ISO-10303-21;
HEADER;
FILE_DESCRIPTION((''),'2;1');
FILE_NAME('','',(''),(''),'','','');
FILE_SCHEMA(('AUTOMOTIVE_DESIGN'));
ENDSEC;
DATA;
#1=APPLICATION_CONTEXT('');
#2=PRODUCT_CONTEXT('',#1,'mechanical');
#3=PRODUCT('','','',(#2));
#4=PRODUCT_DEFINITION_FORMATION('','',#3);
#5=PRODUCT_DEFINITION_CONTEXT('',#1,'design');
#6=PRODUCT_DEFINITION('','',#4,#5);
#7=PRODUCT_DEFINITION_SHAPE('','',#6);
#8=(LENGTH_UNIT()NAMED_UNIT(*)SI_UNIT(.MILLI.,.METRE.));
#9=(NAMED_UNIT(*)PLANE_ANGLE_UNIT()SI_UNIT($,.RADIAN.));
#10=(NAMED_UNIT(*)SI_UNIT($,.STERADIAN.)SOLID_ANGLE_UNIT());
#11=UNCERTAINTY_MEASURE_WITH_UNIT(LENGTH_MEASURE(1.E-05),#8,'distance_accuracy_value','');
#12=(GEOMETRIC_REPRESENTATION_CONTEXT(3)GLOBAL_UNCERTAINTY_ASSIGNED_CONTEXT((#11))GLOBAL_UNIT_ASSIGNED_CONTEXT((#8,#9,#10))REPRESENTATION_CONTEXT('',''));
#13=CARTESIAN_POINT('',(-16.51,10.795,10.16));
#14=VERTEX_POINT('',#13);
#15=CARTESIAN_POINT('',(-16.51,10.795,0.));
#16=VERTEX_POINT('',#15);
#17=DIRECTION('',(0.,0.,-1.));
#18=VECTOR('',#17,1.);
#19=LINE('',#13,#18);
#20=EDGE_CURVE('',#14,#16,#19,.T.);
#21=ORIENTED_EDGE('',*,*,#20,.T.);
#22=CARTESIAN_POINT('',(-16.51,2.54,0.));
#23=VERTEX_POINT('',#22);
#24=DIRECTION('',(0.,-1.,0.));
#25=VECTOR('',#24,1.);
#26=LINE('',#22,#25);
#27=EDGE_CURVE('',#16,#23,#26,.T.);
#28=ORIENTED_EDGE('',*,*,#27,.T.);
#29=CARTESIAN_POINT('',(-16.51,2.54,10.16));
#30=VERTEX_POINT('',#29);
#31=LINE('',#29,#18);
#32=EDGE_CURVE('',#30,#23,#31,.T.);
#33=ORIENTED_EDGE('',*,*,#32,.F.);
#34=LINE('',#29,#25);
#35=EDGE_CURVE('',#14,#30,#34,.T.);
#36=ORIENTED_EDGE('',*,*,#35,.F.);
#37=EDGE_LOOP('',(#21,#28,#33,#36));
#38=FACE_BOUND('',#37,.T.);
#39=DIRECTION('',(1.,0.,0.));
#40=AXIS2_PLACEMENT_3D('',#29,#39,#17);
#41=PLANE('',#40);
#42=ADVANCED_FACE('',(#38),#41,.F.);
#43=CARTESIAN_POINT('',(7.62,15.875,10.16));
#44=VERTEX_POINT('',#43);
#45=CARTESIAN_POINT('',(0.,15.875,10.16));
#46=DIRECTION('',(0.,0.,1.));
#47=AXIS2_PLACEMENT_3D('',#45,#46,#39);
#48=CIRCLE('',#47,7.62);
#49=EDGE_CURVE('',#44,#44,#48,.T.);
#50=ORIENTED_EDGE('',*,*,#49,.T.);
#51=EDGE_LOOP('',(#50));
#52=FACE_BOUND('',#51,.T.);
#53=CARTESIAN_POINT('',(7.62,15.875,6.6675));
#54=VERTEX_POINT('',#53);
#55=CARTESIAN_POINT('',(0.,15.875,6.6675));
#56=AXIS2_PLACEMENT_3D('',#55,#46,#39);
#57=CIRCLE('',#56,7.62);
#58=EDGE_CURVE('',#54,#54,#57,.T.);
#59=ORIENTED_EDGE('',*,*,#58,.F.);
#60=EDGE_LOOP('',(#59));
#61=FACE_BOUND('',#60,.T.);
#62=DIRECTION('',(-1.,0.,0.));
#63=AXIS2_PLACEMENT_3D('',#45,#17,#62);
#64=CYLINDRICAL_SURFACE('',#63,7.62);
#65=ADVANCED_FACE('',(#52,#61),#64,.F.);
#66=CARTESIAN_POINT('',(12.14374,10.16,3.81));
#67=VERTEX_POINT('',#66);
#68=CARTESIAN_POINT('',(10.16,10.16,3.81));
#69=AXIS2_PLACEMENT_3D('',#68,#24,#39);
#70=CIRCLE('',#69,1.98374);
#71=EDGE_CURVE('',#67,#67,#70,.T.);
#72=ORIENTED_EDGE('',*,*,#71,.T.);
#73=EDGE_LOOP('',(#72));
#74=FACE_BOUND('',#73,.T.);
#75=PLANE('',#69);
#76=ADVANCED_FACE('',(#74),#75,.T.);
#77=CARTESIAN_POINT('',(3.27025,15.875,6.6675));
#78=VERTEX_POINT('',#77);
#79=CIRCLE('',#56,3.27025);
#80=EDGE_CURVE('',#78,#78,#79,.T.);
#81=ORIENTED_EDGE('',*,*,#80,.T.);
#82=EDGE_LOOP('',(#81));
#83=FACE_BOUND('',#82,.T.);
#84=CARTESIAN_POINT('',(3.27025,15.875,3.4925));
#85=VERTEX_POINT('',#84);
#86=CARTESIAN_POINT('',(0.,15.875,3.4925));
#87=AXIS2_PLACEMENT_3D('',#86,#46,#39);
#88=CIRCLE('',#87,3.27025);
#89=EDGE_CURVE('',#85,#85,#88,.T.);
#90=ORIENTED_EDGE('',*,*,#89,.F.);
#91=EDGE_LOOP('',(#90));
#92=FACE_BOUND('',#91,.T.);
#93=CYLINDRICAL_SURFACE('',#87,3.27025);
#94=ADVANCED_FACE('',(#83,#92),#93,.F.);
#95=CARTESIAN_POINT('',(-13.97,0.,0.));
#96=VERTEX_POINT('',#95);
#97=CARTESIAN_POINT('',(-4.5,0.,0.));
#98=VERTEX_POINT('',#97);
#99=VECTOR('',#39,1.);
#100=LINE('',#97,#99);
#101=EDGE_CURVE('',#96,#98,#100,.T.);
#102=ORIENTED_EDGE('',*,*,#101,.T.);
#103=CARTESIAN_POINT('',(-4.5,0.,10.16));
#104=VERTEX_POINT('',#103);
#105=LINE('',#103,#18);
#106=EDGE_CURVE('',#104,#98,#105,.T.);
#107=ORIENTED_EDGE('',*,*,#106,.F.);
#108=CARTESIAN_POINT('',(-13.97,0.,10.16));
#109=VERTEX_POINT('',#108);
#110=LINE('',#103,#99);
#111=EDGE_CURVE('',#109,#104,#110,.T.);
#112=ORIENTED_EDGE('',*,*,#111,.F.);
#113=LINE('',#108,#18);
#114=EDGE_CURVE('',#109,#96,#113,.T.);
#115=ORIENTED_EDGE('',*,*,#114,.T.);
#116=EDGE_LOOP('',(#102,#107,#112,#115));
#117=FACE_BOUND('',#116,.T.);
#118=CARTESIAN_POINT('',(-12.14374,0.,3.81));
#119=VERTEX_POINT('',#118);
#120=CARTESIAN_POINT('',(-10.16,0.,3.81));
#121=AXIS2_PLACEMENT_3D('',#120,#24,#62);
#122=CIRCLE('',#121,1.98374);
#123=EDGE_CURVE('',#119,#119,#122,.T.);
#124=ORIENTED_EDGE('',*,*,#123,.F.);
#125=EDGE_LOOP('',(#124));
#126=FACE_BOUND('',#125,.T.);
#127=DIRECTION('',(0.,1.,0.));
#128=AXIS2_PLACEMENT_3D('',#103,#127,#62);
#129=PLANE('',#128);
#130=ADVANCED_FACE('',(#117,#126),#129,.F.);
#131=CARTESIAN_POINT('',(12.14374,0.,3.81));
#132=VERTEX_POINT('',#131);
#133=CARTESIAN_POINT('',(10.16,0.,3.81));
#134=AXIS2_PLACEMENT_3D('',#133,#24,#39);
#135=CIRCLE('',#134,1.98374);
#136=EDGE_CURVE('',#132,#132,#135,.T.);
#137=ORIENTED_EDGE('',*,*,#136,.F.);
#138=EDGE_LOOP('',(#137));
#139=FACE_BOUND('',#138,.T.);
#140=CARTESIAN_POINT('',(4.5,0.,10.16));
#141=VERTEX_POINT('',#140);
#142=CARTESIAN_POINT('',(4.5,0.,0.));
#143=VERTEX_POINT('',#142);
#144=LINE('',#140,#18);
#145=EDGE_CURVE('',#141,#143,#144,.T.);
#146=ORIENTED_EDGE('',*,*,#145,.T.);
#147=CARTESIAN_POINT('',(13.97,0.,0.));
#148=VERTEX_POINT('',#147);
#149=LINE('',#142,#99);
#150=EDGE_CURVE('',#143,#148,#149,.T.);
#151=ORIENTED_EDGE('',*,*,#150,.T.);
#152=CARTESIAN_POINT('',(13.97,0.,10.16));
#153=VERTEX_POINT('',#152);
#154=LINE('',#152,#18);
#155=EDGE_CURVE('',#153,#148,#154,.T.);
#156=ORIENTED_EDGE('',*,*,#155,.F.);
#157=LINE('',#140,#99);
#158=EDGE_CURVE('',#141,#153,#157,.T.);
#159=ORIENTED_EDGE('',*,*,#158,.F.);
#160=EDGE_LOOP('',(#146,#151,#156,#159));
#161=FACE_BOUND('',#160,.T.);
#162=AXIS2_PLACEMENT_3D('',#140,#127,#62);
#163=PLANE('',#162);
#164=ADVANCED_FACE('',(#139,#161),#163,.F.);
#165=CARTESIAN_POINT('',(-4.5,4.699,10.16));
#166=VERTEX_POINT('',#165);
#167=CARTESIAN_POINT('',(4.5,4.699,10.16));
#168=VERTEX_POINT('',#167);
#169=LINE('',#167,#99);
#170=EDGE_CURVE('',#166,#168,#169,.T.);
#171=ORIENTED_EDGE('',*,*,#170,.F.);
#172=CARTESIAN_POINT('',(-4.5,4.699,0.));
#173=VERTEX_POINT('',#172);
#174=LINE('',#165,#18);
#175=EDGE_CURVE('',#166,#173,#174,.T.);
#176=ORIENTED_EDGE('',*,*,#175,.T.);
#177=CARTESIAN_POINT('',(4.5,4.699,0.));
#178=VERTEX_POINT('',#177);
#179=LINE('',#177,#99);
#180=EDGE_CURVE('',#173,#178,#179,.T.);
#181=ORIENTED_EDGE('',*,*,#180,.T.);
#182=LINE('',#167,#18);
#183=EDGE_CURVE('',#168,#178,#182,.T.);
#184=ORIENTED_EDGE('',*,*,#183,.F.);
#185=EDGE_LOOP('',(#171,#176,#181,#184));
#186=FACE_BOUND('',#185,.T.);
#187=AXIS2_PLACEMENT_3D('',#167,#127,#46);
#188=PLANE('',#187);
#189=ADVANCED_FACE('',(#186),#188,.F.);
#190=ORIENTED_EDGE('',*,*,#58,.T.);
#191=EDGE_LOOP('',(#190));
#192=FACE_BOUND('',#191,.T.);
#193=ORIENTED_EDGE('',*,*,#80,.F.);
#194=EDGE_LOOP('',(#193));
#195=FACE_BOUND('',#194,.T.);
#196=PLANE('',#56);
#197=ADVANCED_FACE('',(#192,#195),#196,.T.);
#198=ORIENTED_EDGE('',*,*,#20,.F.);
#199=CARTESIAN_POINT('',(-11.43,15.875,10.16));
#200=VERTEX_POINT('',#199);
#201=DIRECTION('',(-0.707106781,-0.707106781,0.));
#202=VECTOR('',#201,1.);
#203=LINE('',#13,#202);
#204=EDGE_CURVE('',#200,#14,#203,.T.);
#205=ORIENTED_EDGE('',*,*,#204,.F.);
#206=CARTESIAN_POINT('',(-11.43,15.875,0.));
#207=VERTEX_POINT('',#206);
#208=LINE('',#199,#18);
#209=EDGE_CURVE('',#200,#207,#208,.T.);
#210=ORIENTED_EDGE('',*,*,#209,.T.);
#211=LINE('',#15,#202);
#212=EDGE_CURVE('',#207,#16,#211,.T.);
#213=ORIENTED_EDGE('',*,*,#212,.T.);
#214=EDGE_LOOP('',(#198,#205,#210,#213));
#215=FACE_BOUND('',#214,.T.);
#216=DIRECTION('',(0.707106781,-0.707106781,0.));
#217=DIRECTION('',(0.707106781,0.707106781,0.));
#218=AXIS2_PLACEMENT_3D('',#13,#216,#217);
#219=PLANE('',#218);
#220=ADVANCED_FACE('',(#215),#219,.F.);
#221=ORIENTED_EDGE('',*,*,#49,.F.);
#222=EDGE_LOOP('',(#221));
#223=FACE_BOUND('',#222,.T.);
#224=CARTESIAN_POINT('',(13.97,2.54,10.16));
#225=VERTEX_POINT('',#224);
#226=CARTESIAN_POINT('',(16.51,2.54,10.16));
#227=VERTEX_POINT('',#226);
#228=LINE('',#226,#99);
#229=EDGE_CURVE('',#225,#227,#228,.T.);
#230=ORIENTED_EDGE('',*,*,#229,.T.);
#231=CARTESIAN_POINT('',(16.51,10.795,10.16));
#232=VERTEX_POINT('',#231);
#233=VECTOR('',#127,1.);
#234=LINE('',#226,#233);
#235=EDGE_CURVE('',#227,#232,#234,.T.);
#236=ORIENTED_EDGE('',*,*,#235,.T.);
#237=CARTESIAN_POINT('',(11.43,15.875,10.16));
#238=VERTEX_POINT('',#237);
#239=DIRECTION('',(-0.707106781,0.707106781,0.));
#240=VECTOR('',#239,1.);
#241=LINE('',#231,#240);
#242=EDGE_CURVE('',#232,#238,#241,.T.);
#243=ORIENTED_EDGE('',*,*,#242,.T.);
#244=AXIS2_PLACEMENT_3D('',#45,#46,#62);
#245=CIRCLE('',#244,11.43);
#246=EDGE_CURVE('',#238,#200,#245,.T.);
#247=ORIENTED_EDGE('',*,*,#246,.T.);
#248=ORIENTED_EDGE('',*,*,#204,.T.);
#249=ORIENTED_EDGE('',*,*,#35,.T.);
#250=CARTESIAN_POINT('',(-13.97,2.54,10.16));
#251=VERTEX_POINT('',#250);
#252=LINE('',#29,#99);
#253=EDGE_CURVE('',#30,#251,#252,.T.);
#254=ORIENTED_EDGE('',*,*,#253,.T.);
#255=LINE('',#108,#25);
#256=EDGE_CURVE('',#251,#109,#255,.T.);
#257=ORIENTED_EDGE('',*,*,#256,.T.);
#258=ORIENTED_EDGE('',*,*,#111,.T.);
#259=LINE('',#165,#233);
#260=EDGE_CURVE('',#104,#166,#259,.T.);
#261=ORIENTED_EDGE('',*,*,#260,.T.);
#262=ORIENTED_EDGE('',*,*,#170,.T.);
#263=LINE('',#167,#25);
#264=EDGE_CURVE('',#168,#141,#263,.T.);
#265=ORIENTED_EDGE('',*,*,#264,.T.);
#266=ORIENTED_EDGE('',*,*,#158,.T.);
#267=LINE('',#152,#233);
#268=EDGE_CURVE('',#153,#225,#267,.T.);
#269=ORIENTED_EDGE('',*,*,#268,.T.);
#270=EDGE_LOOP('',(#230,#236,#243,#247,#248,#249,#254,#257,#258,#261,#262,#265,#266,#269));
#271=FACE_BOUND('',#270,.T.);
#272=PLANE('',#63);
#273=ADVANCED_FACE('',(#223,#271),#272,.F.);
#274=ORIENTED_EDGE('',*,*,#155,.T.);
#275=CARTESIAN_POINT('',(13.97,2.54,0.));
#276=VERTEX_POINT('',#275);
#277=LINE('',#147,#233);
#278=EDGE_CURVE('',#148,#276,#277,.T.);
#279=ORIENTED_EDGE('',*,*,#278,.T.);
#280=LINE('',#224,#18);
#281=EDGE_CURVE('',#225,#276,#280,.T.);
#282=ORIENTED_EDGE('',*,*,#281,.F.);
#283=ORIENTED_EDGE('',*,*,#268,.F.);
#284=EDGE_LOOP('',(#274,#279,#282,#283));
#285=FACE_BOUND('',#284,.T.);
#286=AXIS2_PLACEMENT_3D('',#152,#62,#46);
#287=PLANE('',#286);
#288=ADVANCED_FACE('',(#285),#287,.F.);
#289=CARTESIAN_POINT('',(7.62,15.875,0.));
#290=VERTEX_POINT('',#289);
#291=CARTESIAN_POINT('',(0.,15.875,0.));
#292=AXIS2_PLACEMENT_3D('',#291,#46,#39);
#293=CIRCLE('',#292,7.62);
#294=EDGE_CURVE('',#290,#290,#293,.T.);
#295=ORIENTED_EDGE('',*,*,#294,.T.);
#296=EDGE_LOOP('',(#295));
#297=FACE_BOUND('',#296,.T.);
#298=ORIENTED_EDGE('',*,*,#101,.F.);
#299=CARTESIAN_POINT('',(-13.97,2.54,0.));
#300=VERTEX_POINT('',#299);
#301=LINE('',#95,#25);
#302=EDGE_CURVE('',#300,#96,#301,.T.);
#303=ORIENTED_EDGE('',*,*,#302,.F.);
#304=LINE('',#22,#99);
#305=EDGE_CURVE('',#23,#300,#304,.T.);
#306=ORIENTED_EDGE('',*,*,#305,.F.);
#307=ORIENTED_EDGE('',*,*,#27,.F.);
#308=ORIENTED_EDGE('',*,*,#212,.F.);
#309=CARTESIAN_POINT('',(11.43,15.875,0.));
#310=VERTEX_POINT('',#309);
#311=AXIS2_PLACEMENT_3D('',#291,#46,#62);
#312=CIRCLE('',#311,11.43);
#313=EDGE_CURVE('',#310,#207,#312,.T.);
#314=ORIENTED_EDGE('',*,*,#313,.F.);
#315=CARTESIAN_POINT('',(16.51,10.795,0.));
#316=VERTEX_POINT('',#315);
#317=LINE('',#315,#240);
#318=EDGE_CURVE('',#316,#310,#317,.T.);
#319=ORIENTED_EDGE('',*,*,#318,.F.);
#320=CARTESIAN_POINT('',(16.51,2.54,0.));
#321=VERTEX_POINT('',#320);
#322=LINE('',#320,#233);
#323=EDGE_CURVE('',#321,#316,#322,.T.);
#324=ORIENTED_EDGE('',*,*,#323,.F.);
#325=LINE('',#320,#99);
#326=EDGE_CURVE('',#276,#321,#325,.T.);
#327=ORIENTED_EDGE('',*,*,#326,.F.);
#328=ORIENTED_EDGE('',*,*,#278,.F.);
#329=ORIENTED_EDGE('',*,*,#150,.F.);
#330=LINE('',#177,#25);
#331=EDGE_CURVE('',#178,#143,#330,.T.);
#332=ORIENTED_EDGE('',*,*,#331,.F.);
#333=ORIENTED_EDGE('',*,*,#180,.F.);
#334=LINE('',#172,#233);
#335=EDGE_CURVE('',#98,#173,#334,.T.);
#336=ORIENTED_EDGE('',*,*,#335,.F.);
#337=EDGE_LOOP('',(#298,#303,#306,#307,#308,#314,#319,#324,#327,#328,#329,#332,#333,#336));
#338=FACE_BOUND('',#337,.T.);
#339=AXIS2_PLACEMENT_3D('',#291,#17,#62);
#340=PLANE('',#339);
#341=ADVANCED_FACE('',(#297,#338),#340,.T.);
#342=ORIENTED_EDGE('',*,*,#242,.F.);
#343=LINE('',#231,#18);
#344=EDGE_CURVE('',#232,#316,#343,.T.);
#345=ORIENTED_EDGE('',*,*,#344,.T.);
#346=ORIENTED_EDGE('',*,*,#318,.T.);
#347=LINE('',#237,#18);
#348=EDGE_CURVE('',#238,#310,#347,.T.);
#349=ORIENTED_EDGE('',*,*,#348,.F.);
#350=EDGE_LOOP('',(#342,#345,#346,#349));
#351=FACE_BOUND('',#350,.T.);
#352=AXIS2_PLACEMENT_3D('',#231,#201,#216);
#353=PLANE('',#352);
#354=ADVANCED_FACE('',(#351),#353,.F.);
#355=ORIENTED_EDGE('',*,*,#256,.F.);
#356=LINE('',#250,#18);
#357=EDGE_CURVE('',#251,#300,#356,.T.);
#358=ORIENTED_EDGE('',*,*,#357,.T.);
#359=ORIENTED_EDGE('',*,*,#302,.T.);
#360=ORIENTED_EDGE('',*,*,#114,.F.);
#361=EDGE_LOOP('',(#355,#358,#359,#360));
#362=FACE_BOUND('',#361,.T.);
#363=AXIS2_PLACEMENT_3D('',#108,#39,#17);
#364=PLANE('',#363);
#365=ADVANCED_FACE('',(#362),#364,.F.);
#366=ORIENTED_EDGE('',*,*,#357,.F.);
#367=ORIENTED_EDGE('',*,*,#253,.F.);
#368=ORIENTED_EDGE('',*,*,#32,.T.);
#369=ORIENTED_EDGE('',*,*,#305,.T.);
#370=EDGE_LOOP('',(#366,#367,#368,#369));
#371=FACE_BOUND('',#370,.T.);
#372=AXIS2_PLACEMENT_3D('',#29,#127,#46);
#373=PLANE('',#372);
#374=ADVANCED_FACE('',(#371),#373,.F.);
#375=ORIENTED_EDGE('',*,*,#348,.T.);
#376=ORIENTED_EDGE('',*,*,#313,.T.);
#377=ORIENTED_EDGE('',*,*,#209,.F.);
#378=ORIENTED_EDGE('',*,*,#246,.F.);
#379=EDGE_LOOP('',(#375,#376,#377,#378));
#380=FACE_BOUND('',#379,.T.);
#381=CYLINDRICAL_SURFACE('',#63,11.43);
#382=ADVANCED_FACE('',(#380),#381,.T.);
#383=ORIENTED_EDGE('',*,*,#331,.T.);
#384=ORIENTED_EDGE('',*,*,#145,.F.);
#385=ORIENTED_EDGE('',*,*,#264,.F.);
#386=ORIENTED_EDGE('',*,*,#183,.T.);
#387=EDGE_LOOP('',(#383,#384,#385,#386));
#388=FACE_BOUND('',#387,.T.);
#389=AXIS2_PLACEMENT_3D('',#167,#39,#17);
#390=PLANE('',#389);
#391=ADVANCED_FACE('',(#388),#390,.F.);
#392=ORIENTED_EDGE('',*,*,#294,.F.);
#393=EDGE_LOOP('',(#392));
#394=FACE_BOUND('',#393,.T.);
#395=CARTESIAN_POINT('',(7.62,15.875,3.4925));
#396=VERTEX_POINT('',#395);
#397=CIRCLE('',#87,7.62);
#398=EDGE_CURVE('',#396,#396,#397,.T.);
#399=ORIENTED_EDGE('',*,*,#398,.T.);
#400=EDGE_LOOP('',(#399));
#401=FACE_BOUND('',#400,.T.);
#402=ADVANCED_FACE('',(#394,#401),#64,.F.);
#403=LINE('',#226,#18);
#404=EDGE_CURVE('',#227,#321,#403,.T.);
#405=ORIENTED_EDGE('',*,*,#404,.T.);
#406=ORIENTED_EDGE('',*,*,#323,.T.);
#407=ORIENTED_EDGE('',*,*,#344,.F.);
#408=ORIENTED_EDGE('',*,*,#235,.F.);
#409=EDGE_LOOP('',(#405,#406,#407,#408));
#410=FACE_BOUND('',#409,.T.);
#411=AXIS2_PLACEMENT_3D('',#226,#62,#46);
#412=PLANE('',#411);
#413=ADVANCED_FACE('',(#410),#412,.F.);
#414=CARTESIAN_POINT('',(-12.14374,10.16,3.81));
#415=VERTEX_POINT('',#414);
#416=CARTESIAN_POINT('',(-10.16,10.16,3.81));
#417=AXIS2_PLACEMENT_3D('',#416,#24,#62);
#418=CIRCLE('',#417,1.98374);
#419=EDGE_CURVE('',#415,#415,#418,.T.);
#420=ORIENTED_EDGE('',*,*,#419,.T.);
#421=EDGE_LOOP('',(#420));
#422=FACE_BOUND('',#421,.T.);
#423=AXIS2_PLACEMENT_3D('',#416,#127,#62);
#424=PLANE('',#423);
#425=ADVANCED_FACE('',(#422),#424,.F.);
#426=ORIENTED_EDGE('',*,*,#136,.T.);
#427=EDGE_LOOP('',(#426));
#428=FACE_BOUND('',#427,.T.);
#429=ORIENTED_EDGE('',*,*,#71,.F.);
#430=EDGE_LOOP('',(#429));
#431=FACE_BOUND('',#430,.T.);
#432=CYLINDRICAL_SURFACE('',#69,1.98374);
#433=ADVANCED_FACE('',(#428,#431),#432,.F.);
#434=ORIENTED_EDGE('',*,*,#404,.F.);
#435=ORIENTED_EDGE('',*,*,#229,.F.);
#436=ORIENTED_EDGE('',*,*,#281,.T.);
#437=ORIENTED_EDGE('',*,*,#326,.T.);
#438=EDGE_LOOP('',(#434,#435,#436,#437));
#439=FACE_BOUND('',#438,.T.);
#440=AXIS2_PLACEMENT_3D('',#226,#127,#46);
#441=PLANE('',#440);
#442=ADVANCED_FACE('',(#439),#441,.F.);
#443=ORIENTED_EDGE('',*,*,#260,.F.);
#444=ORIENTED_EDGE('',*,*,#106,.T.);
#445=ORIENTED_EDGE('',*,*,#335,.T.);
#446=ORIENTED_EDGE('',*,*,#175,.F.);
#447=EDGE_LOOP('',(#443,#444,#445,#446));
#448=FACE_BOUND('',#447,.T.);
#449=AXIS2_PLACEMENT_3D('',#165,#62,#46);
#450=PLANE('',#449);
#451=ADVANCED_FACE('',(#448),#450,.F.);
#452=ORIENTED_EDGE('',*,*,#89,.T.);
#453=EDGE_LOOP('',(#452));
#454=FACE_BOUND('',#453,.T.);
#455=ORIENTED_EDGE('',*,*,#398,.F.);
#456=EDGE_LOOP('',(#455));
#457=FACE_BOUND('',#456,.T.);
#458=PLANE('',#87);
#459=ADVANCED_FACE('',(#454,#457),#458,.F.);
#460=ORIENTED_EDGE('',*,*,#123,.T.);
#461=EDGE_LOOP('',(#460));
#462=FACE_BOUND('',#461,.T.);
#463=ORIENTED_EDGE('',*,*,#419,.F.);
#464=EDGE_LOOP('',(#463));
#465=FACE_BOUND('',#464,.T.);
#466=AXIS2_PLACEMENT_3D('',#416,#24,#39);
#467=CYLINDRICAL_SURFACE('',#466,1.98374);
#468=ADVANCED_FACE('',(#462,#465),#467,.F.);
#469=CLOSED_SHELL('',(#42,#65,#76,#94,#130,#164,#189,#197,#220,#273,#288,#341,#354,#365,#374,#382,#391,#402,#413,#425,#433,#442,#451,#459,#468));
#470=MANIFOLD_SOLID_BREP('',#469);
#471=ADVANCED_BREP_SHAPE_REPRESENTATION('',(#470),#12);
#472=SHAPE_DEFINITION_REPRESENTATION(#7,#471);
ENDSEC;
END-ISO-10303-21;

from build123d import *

# Parameters (mm, degrees)
SKETCH1_R                = 7.62
BOSS_EXTRUDE1_DEPTH      = 10.16
SKETCH3_R                = 8.7376
SKETCH3_R_2              = 3.27025
BOSS_EXTRUDE2_DEPTH      = 1.5875
BOSS_EXTRUDE2_DEPTH_BACK = 1.5875
SKETCH4_R                = 1.98374
CUT_EXTRUDE1_DEPTH       = 10.16


with BuildPart() as part:
    # Sketch1 → Boss-Extrude1 (new body)
    with BuildSketch(Plane.XY):
        with BuildLine():
            Line((4.5, 4.699), (-4.5, 4.699))
            Line((-4.5, 4.699), (-4.5, 0))
            Line((-4.5, 0), (-13.97, 0))
            Line((-13.97, 0), (-13.97, 2.54))
            Line((-13.97, 2.54), (-16.51, 2.54))
            Line((-16.51, 2.54), (-16.51, 10.795))
            Line((-16.51, 10.795), (-11.43, 15.875))
            ThreePointArc((-11.43, 15.875), (0, 27.305), (11.43, 15.875))
            Line((11.43, 15.875), (16.51, 10.795))
            Line((16.51, 10.795), (16.51, 2.54))
            Line((16.51, 2.54), (13.97, 2.54))
            Line((13.97, 2.54), (13.97, 0))
            Line((13.97, 0), (4.5, 0))
            Line((4.5, 0), (4.5, 4.699))
        make_face()
        with Locations((0, 15.875)):
            Circle(SKETCH1_R, mode=Mode.SUBTRACT)
    extrude(amount=BOSS_EXTRUDE1_DEPTH)

    # Sketch3 → Boss-Extrude2 (add, two sides)
    with BuildSketch(Plane.XY.offset(5.08)) as boss_extrude2_sk:
        with Locations((0, 15.875)):
            Circle(SKETCH3_R)
        with Locations((0, 15.875)):
            Circle(SKETCH3_R_2, mode=Mode.SUBTRACT)
    extrude(amount=BOSS_EXTRUDE2_DEPTH)
    extrude(boss_extrude2_sk.sketch, amount=-BOSS_EXTRUDE2_DEPTH_BACK)

    # Sketch4 → Cut-Extrude1 (cut)
    with BuildSketch(Plane(origin=(0, 0, 0), x_dir=(-1, 0, 0), z_dir=(0, -1, 0))):
        with Locations((-10.16, -3.81)):
            Circle(SKETCH4_R)
        with Locations((10.16, -3.81)):
            Circle(SKETCH4_R)
    extrude(amount=-CUT_EXTRUDE1_DEPTH, mode=Mode.SUBTRACT)


solid = part.part
